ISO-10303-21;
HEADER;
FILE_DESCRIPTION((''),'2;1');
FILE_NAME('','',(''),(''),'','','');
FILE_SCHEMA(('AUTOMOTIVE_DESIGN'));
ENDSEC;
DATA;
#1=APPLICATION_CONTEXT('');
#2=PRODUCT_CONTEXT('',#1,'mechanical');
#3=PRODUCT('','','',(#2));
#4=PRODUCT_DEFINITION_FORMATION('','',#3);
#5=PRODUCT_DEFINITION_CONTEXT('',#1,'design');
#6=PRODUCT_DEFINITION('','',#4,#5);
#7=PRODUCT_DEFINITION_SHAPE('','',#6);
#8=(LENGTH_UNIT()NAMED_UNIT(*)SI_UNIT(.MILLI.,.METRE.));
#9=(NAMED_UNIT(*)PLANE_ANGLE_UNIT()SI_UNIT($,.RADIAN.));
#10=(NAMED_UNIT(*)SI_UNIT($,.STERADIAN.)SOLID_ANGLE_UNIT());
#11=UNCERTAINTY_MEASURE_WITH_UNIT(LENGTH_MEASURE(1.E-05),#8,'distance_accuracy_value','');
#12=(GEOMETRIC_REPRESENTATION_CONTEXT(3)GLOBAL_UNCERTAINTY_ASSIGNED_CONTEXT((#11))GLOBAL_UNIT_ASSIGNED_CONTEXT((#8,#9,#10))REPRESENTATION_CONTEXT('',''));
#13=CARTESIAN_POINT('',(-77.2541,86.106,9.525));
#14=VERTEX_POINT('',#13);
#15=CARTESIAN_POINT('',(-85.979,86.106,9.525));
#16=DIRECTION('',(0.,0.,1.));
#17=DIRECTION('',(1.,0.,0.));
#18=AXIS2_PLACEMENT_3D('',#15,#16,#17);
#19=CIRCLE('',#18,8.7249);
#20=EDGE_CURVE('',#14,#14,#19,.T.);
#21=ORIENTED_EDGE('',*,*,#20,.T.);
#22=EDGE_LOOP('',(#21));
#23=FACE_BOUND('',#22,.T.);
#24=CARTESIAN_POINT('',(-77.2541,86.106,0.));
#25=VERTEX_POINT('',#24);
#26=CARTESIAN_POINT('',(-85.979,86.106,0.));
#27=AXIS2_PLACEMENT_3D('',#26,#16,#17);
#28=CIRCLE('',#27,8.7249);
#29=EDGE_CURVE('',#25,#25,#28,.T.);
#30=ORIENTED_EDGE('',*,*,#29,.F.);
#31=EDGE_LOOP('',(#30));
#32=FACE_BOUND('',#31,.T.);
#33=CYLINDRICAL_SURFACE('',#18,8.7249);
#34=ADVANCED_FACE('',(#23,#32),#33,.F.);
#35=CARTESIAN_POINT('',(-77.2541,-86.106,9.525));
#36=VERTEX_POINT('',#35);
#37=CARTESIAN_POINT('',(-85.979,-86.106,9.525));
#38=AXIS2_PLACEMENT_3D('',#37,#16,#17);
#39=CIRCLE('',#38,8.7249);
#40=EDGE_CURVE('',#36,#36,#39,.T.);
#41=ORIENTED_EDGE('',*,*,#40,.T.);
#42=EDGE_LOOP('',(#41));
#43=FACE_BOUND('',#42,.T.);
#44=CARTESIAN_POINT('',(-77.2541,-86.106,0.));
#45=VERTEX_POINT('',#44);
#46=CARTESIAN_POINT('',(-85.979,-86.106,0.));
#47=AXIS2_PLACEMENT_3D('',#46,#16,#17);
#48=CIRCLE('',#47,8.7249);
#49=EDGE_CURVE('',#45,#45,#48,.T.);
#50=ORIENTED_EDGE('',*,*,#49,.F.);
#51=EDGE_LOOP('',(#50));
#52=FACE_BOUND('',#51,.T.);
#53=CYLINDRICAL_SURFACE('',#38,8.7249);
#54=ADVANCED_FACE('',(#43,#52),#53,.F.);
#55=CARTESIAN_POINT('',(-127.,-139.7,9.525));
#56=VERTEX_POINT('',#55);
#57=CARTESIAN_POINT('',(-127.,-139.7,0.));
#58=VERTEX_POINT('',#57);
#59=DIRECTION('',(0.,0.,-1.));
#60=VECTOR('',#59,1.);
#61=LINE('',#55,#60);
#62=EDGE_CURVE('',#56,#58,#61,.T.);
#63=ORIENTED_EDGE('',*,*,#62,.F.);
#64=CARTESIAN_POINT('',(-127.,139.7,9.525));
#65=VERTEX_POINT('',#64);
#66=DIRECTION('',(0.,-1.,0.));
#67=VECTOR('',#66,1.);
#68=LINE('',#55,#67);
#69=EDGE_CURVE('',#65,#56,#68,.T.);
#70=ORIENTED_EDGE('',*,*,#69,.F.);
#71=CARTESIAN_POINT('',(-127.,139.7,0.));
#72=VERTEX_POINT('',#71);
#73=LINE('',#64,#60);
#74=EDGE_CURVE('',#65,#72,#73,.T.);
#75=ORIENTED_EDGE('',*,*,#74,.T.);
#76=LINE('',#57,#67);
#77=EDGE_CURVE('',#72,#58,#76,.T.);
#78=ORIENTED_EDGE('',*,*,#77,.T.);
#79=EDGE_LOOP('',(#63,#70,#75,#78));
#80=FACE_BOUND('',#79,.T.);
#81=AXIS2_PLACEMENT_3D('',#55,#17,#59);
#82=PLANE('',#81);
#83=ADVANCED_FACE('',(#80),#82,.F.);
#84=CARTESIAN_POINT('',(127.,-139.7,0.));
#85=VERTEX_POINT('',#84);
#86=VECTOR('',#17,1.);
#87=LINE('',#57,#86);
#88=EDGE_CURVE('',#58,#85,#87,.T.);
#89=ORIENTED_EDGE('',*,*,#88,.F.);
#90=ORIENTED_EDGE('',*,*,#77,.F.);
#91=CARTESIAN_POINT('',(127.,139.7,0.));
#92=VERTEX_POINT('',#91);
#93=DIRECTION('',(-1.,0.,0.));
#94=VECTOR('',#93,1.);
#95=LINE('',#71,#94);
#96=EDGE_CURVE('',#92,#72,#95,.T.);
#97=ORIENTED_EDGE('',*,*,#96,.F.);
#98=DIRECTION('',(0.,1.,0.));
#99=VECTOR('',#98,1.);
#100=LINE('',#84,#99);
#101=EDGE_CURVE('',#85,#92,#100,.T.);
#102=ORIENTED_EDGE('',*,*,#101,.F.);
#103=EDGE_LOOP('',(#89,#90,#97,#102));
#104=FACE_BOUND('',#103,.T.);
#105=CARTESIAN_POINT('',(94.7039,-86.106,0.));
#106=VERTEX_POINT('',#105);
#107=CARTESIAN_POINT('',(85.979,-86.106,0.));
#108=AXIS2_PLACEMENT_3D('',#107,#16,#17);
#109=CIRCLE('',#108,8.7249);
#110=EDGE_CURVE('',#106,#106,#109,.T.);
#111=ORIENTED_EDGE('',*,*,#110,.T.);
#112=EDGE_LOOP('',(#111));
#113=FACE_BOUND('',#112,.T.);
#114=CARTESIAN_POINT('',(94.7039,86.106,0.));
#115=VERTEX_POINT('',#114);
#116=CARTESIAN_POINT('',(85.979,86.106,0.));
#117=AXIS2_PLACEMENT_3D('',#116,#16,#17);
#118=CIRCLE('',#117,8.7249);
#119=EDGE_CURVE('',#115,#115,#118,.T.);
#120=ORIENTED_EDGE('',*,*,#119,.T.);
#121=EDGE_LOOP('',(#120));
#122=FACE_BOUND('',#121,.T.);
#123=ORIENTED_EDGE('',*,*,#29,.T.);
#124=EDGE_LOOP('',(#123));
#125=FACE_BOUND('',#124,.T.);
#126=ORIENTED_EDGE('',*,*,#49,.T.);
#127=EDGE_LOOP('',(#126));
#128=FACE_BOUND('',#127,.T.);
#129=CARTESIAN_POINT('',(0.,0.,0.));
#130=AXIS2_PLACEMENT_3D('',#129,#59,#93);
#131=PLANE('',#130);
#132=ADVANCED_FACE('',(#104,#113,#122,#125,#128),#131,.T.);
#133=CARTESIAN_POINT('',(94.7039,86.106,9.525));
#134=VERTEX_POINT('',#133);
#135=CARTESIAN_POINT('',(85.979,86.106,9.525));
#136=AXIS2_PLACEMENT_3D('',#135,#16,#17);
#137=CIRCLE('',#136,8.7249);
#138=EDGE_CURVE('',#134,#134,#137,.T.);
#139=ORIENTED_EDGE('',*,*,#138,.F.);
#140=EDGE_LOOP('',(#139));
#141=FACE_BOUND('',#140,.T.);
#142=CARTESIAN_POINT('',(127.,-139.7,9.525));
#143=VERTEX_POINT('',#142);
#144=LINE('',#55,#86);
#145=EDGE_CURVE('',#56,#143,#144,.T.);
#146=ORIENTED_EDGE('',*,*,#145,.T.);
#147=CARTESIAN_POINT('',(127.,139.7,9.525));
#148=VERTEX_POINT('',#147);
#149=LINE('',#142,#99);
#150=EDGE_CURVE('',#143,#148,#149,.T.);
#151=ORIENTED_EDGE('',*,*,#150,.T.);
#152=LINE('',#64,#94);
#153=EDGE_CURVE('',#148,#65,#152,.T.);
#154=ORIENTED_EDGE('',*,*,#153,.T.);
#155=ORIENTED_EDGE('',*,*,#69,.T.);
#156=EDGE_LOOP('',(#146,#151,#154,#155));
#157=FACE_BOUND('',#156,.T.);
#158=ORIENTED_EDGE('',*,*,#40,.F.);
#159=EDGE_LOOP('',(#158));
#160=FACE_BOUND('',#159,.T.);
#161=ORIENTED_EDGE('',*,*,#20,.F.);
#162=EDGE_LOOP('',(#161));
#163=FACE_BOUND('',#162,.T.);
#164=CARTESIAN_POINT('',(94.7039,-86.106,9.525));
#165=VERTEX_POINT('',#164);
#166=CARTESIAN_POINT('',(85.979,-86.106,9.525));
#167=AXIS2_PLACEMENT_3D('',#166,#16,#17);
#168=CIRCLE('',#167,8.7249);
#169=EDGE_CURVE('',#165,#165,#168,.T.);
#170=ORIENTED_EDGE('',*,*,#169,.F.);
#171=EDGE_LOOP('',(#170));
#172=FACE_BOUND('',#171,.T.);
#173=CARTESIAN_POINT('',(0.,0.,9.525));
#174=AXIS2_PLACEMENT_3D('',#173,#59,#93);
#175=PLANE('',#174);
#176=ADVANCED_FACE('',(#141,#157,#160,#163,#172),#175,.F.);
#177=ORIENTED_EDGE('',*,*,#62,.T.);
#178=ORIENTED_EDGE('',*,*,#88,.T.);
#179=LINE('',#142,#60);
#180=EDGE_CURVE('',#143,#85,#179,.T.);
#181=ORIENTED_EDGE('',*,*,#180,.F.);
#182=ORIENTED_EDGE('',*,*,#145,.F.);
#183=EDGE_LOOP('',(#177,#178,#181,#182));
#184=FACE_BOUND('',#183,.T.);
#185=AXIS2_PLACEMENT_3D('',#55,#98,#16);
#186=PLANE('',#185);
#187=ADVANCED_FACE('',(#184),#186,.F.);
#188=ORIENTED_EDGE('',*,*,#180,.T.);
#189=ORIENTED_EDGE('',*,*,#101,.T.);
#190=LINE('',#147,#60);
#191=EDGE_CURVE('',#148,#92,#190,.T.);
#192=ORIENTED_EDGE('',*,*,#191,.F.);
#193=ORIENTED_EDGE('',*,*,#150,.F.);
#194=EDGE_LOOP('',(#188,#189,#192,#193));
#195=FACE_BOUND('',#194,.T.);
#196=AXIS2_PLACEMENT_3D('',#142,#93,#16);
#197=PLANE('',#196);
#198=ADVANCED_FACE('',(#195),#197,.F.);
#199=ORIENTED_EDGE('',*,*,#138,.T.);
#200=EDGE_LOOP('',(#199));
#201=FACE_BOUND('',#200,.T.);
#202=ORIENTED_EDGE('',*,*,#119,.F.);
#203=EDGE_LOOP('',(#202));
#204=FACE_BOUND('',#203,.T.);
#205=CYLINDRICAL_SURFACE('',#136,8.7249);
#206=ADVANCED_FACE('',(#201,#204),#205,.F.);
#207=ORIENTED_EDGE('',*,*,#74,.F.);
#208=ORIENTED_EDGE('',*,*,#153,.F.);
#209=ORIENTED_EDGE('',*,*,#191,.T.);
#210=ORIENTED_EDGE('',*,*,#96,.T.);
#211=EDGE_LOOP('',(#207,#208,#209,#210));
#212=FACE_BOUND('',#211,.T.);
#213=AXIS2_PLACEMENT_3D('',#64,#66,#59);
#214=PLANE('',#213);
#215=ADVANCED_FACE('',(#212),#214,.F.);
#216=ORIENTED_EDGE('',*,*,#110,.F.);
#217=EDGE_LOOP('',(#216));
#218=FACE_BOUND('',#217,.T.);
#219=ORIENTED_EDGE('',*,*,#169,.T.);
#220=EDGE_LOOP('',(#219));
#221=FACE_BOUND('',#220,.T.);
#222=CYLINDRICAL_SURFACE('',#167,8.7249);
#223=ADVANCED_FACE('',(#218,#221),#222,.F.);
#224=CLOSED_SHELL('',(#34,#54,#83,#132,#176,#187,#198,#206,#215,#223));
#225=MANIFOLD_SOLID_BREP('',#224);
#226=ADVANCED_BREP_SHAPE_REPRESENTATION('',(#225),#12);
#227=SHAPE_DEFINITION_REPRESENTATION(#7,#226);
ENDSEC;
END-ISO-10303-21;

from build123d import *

# Parameters (mm, degrees)
SKETCH1_W               = 254
SKETCH1_H               = 279.4
BOSS_EXTRUDE1_DEPTH     = 9.525
F_5_8_CLEARANCE_HOLE1_D = 17.4498


with BuildPart() as part:
    # Sketch1 → Boss-Extrude1 (new body)
    with BuildSketch(Plane.XY):
        Rectangle(SKETCH1_W, SKETCH1_H)
    extrude(amount=BOSS_EXTRUDE1_DEPTH)

    # 5/8 Clearance Hole1 (through all)
    with Locations(Plane.XY.offset(9.525)):
        with Locations((-85.979, 86.106), (-85.979, -86.106), (85.979, -86.106), (85.979, 86.106)):
            Hole(F_5_8_CLEARANCE_HOLE1_D / 2)


solid = part.part
